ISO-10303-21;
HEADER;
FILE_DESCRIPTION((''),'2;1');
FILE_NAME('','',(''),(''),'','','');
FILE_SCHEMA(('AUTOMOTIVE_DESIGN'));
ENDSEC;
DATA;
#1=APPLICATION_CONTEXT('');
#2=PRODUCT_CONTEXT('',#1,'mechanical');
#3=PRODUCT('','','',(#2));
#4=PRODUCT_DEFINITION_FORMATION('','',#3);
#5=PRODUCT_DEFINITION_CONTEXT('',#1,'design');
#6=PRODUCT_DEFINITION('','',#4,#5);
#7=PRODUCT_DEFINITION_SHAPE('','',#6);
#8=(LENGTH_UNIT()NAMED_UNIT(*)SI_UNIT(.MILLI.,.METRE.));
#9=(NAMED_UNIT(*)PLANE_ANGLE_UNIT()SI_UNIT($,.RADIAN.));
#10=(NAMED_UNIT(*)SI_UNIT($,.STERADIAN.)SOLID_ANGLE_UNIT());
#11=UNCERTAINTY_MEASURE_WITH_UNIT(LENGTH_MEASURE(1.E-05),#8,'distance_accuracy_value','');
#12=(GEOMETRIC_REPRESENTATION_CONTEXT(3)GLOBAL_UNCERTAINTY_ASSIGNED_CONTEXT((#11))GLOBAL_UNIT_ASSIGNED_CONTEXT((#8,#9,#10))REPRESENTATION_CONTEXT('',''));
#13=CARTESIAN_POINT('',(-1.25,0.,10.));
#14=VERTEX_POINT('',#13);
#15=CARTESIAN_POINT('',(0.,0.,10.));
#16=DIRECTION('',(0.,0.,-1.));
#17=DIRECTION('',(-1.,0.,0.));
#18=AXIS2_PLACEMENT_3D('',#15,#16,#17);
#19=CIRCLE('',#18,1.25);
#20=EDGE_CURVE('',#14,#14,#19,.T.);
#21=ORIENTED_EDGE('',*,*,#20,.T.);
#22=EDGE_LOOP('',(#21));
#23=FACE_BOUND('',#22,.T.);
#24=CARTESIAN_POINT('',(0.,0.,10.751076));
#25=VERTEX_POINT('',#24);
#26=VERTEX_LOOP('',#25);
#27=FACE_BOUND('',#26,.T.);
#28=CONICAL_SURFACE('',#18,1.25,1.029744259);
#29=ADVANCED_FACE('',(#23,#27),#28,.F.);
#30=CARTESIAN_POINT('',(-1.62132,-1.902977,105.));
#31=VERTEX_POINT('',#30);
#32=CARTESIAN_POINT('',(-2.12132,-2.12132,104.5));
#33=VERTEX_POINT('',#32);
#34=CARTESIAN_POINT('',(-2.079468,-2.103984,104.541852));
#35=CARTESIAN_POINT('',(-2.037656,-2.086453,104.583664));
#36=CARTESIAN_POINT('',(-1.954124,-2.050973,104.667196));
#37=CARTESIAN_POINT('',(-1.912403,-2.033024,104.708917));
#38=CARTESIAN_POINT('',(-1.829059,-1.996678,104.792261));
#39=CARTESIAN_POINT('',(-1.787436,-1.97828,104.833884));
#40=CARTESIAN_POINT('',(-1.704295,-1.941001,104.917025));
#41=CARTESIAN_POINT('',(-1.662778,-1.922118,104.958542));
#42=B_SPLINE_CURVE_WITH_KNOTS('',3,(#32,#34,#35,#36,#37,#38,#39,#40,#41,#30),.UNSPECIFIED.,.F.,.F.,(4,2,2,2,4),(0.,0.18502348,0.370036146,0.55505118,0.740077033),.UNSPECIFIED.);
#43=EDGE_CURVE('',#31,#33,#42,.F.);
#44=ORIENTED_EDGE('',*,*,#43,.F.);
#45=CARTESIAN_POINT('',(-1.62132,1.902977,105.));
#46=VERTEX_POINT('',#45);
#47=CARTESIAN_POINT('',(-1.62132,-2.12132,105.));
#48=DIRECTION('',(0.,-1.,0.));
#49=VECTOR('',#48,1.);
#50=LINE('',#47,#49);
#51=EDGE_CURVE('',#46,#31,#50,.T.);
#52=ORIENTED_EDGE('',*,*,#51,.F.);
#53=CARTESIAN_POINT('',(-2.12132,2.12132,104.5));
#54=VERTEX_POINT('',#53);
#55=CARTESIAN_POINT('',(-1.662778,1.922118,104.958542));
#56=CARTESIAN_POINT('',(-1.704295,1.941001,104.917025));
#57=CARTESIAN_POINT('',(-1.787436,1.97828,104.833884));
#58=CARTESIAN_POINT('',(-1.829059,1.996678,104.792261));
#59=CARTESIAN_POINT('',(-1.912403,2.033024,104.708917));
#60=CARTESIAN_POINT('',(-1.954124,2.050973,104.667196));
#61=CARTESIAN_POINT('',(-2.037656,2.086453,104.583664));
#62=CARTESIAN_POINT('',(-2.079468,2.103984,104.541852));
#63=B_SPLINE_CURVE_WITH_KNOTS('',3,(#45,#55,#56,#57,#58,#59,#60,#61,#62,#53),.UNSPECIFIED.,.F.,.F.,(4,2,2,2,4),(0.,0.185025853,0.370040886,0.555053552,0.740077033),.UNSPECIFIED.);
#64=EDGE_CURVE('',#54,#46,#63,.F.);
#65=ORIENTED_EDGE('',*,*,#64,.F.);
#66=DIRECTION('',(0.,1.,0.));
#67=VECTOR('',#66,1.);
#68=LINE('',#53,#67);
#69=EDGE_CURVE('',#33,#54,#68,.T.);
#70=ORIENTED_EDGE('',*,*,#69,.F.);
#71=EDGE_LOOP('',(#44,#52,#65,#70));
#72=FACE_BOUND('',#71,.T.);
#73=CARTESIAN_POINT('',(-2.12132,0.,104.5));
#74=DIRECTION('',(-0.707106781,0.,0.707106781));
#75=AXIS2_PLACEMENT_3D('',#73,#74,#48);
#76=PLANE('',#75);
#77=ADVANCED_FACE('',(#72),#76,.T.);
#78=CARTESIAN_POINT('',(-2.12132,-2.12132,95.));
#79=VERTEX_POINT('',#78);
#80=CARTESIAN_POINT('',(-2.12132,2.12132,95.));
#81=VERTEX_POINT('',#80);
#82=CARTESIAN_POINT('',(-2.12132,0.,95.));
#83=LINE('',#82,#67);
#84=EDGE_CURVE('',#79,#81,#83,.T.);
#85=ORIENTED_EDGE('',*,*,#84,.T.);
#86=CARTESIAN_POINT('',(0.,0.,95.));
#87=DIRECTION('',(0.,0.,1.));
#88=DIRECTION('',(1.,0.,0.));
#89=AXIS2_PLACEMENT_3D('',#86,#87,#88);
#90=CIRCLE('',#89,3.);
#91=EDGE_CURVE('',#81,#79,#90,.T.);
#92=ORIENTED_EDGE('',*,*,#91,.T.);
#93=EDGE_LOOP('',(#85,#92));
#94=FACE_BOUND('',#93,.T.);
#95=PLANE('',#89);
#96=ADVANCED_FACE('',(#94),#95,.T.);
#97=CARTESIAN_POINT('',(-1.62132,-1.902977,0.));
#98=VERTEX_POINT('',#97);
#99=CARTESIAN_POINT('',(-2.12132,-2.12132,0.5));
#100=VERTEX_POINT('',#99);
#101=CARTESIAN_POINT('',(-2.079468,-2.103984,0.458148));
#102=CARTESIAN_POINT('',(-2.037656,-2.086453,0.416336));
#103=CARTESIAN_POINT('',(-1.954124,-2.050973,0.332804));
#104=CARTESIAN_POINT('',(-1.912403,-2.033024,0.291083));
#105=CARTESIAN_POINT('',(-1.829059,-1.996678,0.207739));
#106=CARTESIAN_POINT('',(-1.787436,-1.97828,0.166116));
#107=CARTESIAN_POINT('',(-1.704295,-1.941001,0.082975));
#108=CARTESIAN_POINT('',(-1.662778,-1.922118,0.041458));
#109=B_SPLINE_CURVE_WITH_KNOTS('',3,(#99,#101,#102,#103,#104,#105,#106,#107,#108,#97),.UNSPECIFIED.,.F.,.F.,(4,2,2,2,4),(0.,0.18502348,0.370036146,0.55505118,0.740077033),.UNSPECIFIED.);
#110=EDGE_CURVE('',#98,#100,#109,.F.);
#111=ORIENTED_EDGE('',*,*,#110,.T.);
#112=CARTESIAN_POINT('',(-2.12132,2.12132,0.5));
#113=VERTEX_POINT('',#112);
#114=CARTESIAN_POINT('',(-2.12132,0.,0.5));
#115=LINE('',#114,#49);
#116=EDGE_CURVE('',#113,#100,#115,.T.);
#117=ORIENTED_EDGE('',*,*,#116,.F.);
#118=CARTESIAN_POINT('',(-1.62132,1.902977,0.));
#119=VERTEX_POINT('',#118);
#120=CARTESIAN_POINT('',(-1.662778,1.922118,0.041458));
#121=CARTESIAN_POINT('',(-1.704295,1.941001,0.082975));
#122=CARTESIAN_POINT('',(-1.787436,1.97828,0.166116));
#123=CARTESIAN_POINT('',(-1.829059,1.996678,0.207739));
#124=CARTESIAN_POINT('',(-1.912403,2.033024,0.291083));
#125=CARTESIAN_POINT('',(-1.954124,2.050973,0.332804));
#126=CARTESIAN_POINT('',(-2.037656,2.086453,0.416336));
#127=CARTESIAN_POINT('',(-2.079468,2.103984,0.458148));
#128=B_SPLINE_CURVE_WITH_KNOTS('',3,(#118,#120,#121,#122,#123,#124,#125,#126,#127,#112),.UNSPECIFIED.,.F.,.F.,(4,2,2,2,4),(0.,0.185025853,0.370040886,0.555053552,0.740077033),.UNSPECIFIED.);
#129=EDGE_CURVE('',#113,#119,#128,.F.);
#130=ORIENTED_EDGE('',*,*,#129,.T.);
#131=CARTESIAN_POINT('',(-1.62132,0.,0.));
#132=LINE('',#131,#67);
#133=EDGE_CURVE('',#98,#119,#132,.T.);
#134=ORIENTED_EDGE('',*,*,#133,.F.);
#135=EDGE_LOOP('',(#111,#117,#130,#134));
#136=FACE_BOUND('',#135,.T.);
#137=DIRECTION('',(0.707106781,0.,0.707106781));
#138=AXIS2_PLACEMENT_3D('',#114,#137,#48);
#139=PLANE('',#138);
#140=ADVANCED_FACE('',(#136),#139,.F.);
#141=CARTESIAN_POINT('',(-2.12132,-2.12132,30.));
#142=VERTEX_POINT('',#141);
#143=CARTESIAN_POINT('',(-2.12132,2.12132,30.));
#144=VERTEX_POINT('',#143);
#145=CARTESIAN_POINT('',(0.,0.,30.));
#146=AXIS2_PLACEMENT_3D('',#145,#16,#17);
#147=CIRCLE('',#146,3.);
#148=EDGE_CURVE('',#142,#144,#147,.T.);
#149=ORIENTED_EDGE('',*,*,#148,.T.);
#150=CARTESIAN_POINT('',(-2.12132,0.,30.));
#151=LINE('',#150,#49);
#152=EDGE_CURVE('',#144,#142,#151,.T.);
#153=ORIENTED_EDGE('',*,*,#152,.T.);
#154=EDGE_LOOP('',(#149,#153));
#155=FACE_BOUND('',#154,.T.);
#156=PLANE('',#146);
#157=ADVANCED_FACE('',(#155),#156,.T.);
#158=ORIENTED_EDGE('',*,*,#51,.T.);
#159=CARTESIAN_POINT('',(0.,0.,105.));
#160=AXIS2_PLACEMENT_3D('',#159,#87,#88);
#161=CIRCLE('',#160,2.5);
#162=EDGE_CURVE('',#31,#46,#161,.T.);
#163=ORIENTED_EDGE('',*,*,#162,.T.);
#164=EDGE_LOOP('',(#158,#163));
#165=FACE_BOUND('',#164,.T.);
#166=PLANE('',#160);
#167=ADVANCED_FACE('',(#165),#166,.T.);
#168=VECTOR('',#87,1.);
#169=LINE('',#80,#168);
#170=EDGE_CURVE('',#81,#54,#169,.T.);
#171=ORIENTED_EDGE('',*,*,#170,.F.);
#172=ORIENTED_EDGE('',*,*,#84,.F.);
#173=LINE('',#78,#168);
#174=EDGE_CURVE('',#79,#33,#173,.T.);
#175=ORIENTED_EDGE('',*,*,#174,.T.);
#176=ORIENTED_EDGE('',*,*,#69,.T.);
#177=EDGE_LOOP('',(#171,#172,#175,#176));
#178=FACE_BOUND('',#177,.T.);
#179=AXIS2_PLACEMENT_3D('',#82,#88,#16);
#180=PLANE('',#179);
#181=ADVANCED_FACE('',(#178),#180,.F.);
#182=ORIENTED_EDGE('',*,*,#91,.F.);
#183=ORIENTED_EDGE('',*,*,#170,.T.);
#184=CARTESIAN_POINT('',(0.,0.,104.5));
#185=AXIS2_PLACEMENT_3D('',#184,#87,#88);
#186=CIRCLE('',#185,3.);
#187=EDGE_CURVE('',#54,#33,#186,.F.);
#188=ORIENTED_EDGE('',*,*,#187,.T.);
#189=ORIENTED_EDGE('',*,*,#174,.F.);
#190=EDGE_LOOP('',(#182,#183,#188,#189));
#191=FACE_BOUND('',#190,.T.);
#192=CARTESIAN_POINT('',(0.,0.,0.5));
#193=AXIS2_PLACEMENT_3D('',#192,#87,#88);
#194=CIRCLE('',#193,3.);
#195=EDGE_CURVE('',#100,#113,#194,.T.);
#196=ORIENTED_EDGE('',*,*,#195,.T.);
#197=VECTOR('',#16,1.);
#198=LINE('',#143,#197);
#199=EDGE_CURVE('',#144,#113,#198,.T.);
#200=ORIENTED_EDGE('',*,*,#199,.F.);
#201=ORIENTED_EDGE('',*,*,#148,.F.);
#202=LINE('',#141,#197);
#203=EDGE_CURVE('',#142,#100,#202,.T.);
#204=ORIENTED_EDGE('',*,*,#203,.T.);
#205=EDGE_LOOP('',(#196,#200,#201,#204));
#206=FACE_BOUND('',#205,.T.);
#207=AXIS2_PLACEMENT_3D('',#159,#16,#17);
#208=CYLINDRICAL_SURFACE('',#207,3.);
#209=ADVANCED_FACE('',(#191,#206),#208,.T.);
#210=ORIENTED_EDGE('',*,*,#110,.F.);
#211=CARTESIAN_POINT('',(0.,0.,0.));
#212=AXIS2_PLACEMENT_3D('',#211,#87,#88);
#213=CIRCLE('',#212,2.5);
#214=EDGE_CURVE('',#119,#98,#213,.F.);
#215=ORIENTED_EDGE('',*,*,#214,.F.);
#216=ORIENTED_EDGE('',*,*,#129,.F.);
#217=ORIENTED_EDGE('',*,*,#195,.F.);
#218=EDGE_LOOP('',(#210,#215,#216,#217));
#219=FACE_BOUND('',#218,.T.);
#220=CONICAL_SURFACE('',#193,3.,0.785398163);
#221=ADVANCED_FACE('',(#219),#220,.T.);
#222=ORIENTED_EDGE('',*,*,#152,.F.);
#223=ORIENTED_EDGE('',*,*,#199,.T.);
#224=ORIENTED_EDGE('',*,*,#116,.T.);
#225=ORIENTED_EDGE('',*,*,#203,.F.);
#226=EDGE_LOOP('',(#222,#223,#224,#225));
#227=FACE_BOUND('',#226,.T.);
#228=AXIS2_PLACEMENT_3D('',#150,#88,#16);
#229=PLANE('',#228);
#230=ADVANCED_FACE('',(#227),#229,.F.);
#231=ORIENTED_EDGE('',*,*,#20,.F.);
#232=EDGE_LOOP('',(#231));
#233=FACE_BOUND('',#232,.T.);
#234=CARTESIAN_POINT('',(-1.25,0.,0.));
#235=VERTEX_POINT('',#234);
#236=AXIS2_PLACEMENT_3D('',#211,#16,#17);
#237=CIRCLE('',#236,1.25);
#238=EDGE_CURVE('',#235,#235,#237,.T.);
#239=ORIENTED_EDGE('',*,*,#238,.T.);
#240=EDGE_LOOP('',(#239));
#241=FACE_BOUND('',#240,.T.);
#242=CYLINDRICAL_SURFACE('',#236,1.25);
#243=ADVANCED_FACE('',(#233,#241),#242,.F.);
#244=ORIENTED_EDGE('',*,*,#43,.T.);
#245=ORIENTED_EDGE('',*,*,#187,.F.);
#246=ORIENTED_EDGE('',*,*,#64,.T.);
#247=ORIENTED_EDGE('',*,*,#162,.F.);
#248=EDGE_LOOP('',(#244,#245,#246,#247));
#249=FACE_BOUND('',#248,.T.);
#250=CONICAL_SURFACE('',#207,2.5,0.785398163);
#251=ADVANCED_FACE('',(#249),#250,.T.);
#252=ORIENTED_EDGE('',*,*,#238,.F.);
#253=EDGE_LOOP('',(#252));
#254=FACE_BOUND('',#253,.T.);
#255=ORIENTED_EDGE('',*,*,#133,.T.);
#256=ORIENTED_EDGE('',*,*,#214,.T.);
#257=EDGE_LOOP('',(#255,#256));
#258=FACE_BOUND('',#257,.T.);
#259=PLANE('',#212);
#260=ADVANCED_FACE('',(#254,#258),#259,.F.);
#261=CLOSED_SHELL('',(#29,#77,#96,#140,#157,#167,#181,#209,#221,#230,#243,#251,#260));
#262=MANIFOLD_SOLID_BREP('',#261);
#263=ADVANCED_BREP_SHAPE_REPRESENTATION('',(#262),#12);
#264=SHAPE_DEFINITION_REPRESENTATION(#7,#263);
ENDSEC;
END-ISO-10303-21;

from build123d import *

# Parameters (mm, degrees)
SKETCH_1_R          = 3
EXTRUDE_1_DEPTH     = 105
CUT_EXTRUDE_1_DEPTH = 30
CUT_EXTRUDE_START   = -10
CUT_EXTRUDE_2_DEPTH = 10
M3X0_5_1_D          = 2.5
M3X0_5_1_DEPTH      = 10
M3X0_5_1_TIP        = 0.751075774
CHAMFER_1_SIZE      = 0.5


with BuildPart() as part:
    # 草图1 → 凸台-拉伸1 (new body)
    with BuildSketch(Plane.XY):
        Circle(SKETCH_1_R)
    extrude(amount=EXTRUDE_1_DEPTH)

    # 草图2 → 切除-拉伸1 (cut)
    with BuildSketch(Plane(origin=(0, 0, 0), x_dir=(-1, 0, 0), z_dir=(0, 0, -1))):
        with BuildLine():
            ThreePointArc((3, 0), (2.771638598, 1.148050297), (2.121320344, 2.121320344))
            Line((2.121320344, 2.121320344), (2.121320344, -2.121320344))
            ThreePointArc((2.121320344, -2.121320344), (2.771638598, -1.148050297), (3, 0))
        make_face()
    extrude(amount=-CUT_EXTRUDE_1_DEPTH, mode=Mode.SUBTRACT)

    # 草图3 → 切除-拉伸2 (cut)
    with BuildSketch(Plane.XY.offset(105).offset(CUT_EXTRUDE_START)):
        with BuildLine():
            Line((-2.121320344, -2.121320344), (-2.121320344, 2.121320344))
            ThreePointArc((-2.121320344, 2.121320344), (-3, 0), (-2.121320344, -2.121320344))
        make_face()
    extrude(amount=CUT_EXTRUDE_2_DEPTH, mode=Mode.SUBTRACT)

    # M3x0.5 螺纹孔1
    with Locations(Plane(origin=(0, 0, 0), x_dir=(-1, 0, 0), z_dir=(0, 0, -1))):
        with Locations((0, 0)):
            Hole(M3X0_5_1_D / 2, depth=M3X0_5_1_DEPTH)
            with Locations((0, 0, -(M3X0_5_1_DEPTH + M3X0_5_1_TIP / 2))):  # 118° drill point
                Cone(0, M3X0_5_1_D / 2, M3X0_5_1_TIP, mode=Mode.SUBTRACT)

    # 倒角1
    chamfer_1_edges = [part.edges().sort_by_distance(p)[0] for p in [
        (1.148050297, -2.771638598, 105),
        (-2.121320344, 0, 105),
        (1.148050297, 2.771638598, 0),
        (-2.121320344, 0, 0),
    ]]
    chamfer(chamfer_1_edges, length=CHAMFER_1_SIZE)


solid = part.part
